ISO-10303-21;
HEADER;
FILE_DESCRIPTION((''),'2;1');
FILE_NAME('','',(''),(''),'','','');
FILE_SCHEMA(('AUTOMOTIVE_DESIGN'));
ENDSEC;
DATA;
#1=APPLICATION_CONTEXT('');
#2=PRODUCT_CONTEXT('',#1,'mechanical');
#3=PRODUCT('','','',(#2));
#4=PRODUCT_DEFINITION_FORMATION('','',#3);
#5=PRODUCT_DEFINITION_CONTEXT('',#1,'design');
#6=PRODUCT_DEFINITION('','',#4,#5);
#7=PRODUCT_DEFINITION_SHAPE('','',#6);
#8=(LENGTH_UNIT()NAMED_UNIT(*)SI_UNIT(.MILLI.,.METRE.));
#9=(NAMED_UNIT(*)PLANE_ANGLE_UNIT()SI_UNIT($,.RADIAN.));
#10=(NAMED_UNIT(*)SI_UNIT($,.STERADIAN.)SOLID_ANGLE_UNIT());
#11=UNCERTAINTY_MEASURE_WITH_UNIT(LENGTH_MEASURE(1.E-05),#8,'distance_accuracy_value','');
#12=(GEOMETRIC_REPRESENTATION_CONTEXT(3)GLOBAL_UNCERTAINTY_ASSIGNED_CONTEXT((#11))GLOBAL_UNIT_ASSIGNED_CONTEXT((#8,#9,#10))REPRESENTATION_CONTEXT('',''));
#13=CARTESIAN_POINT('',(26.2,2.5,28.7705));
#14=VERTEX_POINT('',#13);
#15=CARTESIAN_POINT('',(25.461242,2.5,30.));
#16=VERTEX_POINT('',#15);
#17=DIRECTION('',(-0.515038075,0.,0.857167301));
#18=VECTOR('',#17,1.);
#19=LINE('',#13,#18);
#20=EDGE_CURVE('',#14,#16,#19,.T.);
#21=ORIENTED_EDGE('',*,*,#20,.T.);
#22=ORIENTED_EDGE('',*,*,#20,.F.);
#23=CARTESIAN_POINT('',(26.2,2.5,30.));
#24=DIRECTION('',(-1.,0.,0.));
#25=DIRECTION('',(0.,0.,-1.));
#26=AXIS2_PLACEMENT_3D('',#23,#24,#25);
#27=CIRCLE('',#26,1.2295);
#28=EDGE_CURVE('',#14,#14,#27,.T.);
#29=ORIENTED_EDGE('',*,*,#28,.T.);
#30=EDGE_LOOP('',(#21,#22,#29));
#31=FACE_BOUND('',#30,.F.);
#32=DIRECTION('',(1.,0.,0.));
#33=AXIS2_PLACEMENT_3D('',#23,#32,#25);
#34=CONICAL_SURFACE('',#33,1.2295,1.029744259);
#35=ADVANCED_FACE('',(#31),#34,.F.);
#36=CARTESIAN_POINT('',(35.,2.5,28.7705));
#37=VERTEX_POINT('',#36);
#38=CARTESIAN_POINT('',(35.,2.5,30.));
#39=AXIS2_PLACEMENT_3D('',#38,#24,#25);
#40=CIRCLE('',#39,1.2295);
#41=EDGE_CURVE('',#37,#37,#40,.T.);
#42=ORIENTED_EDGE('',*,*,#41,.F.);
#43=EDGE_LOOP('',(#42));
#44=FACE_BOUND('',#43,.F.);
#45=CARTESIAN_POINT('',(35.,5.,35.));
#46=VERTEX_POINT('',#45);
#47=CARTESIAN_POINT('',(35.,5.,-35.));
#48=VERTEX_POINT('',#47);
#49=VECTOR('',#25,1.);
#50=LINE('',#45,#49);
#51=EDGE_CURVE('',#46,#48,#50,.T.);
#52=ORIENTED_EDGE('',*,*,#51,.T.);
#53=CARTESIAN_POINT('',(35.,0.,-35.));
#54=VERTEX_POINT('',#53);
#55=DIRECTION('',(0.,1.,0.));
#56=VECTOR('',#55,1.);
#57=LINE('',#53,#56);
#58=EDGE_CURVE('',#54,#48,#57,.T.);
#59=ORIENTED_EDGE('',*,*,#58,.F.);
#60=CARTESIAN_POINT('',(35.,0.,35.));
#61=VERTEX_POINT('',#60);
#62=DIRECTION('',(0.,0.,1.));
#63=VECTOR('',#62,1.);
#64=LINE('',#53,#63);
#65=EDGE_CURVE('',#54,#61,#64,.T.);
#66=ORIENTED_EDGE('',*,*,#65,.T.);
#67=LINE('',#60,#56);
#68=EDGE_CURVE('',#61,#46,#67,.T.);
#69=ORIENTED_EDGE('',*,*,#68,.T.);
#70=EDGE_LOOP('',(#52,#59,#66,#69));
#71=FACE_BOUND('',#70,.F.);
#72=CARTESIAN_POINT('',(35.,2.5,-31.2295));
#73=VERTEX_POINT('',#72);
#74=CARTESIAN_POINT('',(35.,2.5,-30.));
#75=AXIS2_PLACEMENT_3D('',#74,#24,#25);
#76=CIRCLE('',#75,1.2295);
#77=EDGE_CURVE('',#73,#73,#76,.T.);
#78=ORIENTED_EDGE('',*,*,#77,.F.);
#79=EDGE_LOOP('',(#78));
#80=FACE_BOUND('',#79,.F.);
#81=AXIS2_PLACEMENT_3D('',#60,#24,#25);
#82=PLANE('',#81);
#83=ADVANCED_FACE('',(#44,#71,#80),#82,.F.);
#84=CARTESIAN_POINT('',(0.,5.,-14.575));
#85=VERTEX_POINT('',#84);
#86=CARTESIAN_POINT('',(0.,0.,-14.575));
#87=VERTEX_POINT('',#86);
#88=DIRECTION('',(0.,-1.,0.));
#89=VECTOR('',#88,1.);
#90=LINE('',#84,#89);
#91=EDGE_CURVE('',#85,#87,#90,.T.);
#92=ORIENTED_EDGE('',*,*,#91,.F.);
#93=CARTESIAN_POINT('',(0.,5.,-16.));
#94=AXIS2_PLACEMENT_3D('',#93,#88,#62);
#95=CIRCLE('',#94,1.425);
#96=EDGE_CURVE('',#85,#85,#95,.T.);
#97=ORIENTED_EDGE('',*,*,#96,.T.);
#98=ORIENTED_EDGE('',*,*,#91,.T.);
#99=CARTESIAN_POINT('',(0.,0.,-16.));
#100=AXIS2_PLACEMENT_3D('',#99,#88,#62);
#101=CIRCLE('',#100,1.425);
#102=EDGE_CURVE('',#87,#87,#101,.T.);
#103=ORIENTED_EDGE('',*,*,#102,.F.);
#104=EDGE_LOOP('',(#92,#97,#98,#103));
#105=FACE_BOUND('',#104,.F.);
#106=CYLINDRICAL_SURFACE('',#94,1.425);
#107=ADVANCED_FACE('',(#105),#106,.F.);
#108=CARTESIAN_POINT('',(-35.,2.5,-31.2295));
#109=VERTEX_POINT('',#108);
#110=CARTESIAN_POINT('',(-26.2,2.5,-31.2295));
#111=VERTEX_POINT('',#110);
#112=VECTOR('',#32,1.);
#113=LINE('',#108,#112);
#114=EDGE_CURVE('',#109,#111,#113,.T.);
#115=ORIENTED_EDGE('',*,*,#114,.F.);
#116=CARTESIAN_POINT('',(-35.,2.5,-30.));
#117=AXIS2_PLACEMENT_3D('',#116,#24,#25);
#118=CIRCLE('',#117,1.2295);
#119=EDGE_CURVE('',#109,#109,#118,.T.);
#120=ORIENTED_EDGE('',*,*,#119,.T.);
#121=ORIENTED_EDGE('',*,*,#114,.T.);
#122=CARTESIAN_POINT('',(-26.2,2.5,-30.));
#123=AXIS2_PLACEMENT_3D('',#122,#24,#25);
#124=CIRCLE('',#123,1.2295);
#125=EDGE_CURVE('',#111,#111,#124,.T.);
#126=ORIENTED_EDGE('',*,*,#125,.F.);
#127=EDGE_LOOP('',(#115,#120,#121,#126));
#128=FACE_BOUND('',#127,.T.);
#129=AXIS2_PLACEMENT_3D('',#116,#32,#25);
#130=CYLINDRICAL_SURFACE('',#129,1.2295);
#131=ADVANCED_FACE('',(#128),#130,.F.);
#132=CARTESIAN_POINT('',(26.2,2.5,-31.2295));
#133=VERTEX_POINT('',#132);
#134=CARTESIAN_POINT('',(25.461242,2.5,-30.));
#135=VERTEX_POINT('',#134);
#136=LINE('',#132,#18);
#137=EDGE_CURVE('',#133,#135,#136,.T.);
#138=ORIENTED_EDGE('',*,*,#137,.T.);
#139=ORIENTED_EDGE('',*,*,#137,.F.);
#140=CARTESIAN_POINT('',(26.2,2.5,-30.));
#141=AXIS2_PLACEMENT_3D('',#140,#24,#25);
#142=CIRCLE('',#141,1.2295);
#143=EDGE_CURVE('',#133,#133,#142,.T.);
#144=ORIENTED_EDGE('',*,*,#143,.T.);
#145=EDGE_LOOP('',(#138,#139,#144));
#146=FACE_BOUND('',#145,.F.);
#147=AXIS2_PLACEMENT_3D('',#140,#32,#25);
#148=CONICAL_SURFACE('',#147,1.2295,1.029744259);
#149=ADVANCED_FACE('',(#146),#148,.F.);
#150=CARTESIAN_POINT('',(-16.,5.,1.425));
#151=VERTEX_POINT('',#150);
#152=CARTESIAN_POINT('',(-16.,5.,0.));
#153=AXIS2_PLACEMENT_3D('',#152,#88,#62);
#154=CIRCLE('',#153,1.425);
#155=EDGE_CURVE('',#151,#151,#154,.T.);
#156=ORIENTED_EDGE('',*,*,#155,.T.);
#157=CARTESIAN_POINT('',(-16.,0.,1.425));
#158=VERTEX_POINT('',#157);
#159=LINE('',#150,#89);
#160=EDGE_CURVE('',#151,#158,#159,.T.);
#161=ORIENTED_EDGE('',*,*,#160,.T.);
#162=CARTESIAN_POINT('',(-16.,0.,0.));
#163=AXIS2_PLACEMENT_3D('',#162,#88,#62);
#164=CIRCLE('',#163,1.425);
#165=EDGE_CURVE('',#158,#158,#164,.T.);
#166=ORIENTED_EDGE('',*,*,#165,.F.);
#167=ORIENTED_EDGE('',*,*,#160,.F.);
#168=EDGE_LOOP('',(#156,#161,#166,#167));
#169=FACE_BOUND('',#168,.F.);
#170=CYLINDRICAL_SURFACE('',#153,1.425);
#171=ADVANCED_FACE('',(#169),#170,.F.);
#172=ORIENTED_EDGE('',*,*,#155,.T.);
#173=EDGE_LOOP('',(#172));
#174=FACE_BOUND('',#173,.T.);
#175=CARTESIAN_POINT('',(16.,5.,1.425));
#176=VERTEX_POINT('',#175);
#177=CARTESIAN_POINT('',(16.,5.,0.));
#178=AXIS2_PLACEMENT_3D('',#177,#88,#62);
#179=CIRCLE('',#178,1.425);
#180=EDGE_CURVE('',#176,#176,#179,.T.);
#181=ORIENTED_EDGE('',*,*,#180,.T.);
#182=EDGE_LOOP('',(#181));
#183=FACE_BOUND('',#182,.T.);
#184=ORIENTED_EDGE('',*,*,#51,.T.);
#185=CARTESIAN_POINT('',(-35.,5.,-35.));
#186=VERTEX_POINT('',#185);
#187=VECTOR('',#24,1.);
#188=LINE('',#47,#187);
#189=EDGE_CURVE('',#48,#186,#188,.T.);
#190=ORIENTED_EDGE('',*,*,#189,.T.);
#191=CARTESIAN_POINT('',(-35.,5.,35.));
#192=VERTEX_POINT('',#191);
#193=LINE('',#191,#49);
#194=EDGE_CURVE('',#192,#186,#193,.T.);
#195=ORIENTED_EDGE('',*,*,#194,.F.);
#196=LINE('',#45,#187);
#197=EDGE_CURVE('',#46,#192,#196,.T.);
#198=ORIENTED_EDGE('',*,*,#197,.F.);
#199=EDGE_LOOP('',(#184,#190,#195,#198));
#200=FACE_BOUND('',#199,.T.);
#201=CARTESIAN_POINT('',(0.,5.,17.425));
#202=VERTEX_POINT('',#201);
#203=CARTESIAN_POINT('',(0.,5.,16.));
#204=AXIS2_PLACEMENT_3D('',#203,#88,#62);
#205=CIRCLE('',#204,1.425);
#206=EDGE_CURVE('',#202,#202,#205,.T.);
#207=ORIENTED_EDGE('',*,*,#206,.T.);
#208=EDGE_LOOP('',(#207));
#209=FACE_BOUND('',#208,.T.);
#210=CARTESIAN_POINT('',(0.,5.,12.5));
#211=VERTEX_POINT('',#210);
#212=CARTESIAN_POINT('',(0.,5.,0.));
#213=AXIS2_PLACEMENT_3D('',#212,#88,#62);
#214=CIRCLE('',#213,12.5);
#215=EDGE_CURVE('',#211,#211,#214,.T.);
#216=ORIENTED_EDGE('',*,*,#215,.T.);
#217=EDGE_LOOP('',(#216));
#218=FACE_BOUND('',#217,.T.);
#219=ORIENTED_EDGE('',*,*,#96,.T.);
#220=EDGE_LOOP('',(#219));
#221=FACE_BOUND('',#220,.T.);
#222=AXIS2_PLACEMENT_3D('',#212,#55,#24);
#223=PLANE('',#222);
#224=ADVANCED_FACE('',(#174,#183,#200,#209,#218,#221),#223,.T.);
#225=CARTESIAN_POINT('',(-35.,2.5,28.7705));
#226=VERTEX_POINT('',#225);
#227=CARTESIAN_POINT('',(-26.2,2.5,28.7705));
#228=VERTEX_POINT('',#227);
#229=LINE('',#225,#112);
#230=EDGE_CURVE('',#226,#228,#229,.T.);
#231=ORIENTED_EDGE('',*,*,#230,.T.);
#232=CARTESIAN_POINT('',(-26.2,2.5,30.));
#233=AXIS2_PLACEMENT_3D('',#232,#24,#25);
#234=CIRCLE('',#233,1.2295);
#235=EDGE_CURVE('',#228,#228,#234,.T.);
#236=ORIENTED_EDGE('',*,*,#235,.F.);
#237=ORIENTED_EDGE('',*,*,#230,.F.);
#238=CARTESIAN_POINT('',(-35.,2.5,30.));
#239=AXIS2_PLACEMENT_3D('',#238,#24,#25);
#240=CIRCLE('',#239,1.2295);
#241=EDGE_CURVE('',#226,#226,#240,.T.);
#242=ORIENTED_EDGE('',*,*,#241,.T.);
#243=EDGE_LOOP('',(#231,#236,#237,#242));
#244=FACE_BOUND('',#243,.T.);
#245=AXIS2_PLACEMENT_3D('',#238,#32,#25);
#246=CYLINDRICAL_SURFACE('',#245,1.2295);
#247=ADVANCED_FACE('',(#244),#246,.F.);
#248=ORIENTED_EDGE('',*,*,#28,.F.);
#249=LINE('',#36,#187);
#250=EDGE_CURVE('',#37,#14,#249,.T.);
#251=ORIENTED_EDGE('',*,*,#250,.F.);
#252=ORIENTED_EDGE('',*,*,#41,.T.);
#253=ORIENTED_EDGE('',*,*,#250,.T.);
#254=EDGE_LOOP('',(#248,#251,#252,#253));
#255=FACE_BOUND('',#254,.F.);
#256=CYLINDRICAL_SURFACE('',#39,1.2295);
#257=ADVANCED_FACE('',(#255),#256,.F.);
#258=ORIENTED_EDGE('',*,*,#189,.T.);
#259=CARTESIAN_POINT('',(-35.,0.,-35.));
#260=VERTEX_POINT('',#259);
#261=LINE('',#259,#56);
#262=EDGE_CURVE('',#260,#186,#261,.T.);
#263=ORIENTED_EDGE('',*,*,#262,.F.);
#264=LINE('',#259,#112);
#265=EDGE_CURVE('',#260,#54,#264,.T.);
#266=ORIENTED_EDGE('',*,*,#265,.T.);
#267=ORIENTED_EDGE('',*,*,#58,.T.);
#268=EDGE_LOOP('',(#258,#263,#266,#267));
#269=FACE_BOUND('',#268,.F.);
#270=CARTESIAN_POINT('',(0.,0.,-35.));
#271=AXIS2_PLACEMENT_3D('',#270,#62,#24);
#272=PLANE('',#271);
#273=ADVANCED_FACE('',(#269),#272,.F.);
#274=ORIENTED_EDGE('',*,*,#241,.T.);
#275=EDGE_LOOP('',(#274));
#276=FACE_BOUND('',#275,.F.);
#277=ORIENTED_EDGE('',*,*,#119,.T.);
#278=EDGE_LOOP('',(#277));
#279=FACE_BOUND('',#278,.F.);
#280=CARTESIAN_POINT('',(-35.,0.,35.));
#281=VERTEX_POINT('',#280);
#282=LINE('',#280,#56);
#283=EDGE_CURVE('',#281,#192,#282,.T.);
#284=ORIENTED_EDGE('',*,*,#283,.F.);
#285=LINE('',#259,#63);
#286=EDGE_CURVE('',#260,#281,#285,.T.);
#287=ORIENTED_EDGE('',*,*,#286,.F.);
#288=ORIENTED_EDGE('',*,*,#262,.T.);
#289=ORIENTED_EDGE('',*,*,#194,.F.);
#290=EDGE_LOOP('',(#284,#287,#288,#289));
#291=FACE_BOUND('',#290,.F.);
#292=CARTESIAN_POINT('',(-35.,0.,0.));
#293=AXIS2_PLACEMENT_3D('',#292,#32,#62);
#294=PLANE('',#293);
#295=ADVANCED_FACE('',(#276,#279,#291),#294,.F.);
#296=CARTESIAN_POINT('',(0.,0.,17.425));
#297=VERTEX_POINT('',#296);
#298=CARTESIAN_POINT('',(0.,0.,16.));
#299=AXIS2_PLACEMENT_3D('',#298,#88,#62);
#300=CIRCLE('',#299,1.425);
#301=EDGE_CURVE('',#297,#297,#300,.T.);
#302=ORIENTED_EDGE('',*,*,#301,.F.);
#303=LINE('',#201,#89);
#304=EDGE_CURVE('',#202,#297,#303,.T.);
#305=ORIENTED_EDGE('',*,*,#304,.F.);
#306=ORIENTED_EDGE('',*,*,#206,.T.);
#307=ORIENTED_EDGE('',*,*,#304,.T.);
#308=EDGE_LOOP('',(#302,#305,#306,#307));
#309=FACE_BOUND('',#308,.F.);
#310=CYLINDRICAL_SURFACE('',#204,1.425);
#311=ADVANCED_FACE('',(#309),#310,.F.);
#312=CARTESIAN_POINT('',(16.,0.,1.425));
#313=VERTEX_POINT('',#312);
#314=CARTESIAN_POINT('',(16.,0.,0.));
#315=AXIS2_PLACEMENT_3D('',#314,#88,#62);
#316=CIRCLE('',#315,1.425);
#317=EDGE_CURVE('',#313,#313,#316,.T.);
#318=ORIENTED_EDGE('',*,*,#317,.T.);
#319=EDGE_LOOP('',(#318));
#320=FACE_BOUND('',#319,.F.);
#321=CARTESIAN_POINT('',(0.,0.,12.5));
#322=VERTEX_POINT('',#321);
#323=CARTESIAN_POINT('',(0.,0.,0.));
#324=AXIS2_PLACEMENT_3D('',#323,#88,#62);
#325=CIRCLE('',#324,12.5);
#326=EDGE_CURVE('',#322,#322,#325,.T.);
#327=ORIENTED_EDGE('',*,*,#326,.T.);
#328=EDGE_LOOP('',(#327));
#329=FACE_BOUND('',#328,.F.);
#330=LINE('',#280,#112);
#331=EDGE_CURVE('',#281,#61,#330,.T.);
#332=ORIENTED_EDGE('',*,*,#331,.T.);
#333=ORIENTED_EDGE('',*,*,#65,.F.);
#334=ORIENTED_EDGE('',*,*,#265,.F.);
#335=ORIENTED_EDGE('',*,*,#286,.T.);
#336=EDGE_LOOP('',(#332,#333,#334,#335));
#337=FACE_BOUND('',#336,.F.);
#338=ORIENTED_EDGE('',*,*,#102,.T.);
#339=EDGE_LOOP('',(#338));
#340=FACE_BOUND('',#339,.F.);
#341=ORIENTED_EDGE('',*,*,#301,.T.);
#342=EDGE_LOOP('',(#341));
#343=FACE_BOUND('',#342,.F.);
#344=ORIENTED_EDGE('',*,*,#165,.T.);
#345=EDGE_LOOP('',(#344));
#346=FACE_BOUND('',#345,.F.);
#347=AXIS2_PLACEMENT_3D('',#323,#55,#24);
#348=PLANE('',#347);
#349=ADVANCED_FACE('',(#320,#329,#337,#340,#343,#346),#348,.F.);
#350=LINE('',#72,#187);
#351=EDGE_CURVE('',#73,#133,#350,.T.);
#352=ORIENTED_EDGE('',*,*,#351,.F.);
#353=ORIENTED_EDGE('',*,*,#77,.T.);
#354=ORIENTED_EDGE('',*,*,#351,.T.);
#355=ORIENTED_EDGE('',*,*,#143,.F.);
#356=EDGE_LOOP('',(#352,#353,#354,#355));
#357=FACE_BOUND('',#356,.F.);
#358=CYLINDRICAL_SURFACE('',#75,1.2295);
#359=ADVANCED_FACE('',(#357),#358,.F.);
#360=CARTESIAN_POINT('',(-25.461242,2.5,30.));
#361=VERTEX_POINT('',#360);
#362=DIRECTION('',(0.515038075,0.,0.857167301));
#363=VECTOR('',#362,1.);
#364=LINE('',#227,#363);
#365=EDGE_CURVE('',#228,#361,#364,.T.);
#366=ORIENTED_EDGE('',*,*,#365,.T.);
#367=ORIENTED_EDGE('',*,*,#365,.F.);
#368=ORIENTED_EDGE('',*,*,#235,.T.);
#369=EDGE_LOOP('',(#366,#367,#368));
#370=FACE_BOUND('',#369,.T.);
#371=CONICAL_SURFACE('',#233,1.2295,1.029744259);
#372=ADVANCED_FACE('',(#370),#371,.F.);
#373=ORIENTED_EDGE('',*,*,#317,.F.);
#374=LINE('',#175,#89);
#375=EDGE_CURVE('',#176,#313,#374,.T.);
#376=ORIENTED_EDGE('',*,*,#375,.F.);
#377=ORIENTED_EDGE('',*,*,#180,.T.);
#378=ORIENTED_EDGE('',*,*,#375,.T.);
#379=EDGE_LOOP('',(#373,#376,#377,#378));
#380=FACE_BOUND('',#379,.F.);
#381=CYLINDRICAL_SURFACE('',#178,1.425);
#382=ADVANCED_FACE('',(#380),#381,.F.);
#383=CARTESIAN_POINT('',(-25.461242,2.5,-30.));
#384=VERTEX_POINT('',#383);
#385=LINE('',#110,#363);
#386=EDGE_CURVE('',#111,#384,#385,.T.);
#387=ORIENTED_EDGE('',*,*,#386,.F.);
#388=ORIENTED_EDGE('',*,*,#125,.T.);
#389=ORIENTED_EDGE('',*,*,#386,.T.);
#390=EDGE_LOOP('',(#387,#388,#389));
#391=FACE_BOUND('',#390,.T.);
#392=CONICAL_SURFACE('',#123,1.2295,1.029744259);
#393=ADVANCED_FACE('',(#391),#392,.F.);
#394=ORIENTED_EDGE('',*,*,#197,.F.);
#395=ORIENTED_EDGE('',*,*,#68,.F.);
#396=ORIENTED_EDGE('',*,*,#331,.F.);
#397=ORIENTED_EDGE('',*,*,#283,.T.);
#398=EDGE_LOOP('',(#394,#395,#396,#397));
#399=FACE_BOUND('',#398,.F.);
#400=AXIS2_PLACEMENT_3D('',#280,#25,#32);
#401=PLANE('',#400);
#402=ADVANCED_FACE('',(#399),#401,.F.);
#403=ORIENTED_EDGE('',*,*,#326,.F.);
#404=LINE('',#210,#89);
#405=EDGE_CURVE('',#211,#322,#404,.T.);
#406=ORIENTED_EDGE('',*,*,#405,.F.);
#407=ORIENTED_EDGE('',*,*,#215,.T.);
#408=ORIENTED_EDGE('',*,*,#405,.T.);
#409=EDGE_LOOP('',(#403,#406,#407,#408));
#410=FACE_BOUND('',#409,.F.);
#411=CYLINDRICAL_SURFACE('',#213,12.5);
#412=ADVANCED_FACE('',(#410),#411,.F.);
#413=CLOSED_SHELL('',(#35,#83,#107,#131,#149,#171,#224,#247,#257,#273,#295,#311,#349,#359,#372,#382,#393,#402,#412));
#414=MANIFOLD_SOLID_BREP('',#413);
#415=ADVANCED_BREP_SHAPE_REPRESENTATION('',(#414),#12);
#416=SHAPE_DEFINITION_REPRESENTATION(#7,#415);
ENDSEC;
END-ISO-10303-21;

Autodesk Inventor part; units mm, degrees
ref_plane "YZ Plane" through (0, 0, 0) normal (1, 0, 0) x (0, 1, 0)
ref_plane "XZ Plane" through (0, 0, 0) normal (0, 1, 0) x (-1, 0, 0)
sketch "Sketch1" plane through (0, 0, 0) normal (0, 1, 0) x (-1, 0, 0)
  line L0 (35, 35) -> (-35, 35)
  line L1 (-35, 35) -> (-35, -35)
  line L2 (-35, -35) -> (35, -35)
  line L3 (35, -35) -> (35, 35)
  line L4 (0, -49) -> (0, 49) projected
  line L5 (49, 0) -> (-49, 0) projected
  point P0 (0, 0)
  dimension "d0" = 70
  dimension "d1" = 70
  dimension "d2" = 70
extrude "Extrusion1" add sketch "Sketch1" along normal blind 5
sketch "Sketch2" plane through (35, 0, 35) normal (1, 0, 0) x (0, 0, -1)
  line L0 (0, 0) -> (70, 0) projected
  line L1 (70, 0) -> (70, 5) projected
  line L2 (35, 0) -> (35, 5)
  line L3 (0, 5) -> (70, 5) projected
  point P0 (65, 2.5)
  point P1 (5, 2.5)
  dimension "d5" = 2.5
  dimension "d6" = 5
hole "Hole1" at (35, 2.5, -30) at (35, 2.5, 30) direction (-1, 0, 0) diameter 2.459 depth 8.8 tip angle 118 thread size "M3x0.5" class "6H" standard "ANSI Metric M Profile"
sketch "Sketch3" plane through (0, 5, 0) normal (0, 1, 0) x (1, 0, 0)
  point P0 (0, 0)
  point P1 (0, 0)
hole "Hole2" at (0, 5, 0) direction (0, -1, 0) diameter 25 depth 10 tip angle 118
sketch "Sketch4" plane through (0, 5, 0) normal (0, 1, 0) x (1, 0, 0)
  point P0 (0, 0)
  point P1 (16, 0)
  point P2 (0, 16)
  point P3 (-16, 0)
  point P4 (0, -16)
  dimension "d21" = 16
  dimension "d24" = 360
sketch "Sketch5" plane through (0, 5, 0) normal (0, 1, 0) x (1, 0, 0)
  point P0 (0, 0)
hole "Hole3" at (-16, 5, 0) at (0, 5, -16) at (0, 5, 16) at (16, 5, 0) direction (0, -1, 0) diameter 2.85 depth 10.4 tip angle 118 thread size "M3.5x0.6" class "6H" standard "ANSI Metric M Profile"
ref_plane "Work Plane2" through (0, 0, -35) normal (-1, 0, 0) x (0, 0, 1)
mirror "Mirror2" about plane through (0, 0, -35) normal (-1, 0, 0) of "Hole1"
properties part number "상판" material "Aluminum 6061-AHC"
